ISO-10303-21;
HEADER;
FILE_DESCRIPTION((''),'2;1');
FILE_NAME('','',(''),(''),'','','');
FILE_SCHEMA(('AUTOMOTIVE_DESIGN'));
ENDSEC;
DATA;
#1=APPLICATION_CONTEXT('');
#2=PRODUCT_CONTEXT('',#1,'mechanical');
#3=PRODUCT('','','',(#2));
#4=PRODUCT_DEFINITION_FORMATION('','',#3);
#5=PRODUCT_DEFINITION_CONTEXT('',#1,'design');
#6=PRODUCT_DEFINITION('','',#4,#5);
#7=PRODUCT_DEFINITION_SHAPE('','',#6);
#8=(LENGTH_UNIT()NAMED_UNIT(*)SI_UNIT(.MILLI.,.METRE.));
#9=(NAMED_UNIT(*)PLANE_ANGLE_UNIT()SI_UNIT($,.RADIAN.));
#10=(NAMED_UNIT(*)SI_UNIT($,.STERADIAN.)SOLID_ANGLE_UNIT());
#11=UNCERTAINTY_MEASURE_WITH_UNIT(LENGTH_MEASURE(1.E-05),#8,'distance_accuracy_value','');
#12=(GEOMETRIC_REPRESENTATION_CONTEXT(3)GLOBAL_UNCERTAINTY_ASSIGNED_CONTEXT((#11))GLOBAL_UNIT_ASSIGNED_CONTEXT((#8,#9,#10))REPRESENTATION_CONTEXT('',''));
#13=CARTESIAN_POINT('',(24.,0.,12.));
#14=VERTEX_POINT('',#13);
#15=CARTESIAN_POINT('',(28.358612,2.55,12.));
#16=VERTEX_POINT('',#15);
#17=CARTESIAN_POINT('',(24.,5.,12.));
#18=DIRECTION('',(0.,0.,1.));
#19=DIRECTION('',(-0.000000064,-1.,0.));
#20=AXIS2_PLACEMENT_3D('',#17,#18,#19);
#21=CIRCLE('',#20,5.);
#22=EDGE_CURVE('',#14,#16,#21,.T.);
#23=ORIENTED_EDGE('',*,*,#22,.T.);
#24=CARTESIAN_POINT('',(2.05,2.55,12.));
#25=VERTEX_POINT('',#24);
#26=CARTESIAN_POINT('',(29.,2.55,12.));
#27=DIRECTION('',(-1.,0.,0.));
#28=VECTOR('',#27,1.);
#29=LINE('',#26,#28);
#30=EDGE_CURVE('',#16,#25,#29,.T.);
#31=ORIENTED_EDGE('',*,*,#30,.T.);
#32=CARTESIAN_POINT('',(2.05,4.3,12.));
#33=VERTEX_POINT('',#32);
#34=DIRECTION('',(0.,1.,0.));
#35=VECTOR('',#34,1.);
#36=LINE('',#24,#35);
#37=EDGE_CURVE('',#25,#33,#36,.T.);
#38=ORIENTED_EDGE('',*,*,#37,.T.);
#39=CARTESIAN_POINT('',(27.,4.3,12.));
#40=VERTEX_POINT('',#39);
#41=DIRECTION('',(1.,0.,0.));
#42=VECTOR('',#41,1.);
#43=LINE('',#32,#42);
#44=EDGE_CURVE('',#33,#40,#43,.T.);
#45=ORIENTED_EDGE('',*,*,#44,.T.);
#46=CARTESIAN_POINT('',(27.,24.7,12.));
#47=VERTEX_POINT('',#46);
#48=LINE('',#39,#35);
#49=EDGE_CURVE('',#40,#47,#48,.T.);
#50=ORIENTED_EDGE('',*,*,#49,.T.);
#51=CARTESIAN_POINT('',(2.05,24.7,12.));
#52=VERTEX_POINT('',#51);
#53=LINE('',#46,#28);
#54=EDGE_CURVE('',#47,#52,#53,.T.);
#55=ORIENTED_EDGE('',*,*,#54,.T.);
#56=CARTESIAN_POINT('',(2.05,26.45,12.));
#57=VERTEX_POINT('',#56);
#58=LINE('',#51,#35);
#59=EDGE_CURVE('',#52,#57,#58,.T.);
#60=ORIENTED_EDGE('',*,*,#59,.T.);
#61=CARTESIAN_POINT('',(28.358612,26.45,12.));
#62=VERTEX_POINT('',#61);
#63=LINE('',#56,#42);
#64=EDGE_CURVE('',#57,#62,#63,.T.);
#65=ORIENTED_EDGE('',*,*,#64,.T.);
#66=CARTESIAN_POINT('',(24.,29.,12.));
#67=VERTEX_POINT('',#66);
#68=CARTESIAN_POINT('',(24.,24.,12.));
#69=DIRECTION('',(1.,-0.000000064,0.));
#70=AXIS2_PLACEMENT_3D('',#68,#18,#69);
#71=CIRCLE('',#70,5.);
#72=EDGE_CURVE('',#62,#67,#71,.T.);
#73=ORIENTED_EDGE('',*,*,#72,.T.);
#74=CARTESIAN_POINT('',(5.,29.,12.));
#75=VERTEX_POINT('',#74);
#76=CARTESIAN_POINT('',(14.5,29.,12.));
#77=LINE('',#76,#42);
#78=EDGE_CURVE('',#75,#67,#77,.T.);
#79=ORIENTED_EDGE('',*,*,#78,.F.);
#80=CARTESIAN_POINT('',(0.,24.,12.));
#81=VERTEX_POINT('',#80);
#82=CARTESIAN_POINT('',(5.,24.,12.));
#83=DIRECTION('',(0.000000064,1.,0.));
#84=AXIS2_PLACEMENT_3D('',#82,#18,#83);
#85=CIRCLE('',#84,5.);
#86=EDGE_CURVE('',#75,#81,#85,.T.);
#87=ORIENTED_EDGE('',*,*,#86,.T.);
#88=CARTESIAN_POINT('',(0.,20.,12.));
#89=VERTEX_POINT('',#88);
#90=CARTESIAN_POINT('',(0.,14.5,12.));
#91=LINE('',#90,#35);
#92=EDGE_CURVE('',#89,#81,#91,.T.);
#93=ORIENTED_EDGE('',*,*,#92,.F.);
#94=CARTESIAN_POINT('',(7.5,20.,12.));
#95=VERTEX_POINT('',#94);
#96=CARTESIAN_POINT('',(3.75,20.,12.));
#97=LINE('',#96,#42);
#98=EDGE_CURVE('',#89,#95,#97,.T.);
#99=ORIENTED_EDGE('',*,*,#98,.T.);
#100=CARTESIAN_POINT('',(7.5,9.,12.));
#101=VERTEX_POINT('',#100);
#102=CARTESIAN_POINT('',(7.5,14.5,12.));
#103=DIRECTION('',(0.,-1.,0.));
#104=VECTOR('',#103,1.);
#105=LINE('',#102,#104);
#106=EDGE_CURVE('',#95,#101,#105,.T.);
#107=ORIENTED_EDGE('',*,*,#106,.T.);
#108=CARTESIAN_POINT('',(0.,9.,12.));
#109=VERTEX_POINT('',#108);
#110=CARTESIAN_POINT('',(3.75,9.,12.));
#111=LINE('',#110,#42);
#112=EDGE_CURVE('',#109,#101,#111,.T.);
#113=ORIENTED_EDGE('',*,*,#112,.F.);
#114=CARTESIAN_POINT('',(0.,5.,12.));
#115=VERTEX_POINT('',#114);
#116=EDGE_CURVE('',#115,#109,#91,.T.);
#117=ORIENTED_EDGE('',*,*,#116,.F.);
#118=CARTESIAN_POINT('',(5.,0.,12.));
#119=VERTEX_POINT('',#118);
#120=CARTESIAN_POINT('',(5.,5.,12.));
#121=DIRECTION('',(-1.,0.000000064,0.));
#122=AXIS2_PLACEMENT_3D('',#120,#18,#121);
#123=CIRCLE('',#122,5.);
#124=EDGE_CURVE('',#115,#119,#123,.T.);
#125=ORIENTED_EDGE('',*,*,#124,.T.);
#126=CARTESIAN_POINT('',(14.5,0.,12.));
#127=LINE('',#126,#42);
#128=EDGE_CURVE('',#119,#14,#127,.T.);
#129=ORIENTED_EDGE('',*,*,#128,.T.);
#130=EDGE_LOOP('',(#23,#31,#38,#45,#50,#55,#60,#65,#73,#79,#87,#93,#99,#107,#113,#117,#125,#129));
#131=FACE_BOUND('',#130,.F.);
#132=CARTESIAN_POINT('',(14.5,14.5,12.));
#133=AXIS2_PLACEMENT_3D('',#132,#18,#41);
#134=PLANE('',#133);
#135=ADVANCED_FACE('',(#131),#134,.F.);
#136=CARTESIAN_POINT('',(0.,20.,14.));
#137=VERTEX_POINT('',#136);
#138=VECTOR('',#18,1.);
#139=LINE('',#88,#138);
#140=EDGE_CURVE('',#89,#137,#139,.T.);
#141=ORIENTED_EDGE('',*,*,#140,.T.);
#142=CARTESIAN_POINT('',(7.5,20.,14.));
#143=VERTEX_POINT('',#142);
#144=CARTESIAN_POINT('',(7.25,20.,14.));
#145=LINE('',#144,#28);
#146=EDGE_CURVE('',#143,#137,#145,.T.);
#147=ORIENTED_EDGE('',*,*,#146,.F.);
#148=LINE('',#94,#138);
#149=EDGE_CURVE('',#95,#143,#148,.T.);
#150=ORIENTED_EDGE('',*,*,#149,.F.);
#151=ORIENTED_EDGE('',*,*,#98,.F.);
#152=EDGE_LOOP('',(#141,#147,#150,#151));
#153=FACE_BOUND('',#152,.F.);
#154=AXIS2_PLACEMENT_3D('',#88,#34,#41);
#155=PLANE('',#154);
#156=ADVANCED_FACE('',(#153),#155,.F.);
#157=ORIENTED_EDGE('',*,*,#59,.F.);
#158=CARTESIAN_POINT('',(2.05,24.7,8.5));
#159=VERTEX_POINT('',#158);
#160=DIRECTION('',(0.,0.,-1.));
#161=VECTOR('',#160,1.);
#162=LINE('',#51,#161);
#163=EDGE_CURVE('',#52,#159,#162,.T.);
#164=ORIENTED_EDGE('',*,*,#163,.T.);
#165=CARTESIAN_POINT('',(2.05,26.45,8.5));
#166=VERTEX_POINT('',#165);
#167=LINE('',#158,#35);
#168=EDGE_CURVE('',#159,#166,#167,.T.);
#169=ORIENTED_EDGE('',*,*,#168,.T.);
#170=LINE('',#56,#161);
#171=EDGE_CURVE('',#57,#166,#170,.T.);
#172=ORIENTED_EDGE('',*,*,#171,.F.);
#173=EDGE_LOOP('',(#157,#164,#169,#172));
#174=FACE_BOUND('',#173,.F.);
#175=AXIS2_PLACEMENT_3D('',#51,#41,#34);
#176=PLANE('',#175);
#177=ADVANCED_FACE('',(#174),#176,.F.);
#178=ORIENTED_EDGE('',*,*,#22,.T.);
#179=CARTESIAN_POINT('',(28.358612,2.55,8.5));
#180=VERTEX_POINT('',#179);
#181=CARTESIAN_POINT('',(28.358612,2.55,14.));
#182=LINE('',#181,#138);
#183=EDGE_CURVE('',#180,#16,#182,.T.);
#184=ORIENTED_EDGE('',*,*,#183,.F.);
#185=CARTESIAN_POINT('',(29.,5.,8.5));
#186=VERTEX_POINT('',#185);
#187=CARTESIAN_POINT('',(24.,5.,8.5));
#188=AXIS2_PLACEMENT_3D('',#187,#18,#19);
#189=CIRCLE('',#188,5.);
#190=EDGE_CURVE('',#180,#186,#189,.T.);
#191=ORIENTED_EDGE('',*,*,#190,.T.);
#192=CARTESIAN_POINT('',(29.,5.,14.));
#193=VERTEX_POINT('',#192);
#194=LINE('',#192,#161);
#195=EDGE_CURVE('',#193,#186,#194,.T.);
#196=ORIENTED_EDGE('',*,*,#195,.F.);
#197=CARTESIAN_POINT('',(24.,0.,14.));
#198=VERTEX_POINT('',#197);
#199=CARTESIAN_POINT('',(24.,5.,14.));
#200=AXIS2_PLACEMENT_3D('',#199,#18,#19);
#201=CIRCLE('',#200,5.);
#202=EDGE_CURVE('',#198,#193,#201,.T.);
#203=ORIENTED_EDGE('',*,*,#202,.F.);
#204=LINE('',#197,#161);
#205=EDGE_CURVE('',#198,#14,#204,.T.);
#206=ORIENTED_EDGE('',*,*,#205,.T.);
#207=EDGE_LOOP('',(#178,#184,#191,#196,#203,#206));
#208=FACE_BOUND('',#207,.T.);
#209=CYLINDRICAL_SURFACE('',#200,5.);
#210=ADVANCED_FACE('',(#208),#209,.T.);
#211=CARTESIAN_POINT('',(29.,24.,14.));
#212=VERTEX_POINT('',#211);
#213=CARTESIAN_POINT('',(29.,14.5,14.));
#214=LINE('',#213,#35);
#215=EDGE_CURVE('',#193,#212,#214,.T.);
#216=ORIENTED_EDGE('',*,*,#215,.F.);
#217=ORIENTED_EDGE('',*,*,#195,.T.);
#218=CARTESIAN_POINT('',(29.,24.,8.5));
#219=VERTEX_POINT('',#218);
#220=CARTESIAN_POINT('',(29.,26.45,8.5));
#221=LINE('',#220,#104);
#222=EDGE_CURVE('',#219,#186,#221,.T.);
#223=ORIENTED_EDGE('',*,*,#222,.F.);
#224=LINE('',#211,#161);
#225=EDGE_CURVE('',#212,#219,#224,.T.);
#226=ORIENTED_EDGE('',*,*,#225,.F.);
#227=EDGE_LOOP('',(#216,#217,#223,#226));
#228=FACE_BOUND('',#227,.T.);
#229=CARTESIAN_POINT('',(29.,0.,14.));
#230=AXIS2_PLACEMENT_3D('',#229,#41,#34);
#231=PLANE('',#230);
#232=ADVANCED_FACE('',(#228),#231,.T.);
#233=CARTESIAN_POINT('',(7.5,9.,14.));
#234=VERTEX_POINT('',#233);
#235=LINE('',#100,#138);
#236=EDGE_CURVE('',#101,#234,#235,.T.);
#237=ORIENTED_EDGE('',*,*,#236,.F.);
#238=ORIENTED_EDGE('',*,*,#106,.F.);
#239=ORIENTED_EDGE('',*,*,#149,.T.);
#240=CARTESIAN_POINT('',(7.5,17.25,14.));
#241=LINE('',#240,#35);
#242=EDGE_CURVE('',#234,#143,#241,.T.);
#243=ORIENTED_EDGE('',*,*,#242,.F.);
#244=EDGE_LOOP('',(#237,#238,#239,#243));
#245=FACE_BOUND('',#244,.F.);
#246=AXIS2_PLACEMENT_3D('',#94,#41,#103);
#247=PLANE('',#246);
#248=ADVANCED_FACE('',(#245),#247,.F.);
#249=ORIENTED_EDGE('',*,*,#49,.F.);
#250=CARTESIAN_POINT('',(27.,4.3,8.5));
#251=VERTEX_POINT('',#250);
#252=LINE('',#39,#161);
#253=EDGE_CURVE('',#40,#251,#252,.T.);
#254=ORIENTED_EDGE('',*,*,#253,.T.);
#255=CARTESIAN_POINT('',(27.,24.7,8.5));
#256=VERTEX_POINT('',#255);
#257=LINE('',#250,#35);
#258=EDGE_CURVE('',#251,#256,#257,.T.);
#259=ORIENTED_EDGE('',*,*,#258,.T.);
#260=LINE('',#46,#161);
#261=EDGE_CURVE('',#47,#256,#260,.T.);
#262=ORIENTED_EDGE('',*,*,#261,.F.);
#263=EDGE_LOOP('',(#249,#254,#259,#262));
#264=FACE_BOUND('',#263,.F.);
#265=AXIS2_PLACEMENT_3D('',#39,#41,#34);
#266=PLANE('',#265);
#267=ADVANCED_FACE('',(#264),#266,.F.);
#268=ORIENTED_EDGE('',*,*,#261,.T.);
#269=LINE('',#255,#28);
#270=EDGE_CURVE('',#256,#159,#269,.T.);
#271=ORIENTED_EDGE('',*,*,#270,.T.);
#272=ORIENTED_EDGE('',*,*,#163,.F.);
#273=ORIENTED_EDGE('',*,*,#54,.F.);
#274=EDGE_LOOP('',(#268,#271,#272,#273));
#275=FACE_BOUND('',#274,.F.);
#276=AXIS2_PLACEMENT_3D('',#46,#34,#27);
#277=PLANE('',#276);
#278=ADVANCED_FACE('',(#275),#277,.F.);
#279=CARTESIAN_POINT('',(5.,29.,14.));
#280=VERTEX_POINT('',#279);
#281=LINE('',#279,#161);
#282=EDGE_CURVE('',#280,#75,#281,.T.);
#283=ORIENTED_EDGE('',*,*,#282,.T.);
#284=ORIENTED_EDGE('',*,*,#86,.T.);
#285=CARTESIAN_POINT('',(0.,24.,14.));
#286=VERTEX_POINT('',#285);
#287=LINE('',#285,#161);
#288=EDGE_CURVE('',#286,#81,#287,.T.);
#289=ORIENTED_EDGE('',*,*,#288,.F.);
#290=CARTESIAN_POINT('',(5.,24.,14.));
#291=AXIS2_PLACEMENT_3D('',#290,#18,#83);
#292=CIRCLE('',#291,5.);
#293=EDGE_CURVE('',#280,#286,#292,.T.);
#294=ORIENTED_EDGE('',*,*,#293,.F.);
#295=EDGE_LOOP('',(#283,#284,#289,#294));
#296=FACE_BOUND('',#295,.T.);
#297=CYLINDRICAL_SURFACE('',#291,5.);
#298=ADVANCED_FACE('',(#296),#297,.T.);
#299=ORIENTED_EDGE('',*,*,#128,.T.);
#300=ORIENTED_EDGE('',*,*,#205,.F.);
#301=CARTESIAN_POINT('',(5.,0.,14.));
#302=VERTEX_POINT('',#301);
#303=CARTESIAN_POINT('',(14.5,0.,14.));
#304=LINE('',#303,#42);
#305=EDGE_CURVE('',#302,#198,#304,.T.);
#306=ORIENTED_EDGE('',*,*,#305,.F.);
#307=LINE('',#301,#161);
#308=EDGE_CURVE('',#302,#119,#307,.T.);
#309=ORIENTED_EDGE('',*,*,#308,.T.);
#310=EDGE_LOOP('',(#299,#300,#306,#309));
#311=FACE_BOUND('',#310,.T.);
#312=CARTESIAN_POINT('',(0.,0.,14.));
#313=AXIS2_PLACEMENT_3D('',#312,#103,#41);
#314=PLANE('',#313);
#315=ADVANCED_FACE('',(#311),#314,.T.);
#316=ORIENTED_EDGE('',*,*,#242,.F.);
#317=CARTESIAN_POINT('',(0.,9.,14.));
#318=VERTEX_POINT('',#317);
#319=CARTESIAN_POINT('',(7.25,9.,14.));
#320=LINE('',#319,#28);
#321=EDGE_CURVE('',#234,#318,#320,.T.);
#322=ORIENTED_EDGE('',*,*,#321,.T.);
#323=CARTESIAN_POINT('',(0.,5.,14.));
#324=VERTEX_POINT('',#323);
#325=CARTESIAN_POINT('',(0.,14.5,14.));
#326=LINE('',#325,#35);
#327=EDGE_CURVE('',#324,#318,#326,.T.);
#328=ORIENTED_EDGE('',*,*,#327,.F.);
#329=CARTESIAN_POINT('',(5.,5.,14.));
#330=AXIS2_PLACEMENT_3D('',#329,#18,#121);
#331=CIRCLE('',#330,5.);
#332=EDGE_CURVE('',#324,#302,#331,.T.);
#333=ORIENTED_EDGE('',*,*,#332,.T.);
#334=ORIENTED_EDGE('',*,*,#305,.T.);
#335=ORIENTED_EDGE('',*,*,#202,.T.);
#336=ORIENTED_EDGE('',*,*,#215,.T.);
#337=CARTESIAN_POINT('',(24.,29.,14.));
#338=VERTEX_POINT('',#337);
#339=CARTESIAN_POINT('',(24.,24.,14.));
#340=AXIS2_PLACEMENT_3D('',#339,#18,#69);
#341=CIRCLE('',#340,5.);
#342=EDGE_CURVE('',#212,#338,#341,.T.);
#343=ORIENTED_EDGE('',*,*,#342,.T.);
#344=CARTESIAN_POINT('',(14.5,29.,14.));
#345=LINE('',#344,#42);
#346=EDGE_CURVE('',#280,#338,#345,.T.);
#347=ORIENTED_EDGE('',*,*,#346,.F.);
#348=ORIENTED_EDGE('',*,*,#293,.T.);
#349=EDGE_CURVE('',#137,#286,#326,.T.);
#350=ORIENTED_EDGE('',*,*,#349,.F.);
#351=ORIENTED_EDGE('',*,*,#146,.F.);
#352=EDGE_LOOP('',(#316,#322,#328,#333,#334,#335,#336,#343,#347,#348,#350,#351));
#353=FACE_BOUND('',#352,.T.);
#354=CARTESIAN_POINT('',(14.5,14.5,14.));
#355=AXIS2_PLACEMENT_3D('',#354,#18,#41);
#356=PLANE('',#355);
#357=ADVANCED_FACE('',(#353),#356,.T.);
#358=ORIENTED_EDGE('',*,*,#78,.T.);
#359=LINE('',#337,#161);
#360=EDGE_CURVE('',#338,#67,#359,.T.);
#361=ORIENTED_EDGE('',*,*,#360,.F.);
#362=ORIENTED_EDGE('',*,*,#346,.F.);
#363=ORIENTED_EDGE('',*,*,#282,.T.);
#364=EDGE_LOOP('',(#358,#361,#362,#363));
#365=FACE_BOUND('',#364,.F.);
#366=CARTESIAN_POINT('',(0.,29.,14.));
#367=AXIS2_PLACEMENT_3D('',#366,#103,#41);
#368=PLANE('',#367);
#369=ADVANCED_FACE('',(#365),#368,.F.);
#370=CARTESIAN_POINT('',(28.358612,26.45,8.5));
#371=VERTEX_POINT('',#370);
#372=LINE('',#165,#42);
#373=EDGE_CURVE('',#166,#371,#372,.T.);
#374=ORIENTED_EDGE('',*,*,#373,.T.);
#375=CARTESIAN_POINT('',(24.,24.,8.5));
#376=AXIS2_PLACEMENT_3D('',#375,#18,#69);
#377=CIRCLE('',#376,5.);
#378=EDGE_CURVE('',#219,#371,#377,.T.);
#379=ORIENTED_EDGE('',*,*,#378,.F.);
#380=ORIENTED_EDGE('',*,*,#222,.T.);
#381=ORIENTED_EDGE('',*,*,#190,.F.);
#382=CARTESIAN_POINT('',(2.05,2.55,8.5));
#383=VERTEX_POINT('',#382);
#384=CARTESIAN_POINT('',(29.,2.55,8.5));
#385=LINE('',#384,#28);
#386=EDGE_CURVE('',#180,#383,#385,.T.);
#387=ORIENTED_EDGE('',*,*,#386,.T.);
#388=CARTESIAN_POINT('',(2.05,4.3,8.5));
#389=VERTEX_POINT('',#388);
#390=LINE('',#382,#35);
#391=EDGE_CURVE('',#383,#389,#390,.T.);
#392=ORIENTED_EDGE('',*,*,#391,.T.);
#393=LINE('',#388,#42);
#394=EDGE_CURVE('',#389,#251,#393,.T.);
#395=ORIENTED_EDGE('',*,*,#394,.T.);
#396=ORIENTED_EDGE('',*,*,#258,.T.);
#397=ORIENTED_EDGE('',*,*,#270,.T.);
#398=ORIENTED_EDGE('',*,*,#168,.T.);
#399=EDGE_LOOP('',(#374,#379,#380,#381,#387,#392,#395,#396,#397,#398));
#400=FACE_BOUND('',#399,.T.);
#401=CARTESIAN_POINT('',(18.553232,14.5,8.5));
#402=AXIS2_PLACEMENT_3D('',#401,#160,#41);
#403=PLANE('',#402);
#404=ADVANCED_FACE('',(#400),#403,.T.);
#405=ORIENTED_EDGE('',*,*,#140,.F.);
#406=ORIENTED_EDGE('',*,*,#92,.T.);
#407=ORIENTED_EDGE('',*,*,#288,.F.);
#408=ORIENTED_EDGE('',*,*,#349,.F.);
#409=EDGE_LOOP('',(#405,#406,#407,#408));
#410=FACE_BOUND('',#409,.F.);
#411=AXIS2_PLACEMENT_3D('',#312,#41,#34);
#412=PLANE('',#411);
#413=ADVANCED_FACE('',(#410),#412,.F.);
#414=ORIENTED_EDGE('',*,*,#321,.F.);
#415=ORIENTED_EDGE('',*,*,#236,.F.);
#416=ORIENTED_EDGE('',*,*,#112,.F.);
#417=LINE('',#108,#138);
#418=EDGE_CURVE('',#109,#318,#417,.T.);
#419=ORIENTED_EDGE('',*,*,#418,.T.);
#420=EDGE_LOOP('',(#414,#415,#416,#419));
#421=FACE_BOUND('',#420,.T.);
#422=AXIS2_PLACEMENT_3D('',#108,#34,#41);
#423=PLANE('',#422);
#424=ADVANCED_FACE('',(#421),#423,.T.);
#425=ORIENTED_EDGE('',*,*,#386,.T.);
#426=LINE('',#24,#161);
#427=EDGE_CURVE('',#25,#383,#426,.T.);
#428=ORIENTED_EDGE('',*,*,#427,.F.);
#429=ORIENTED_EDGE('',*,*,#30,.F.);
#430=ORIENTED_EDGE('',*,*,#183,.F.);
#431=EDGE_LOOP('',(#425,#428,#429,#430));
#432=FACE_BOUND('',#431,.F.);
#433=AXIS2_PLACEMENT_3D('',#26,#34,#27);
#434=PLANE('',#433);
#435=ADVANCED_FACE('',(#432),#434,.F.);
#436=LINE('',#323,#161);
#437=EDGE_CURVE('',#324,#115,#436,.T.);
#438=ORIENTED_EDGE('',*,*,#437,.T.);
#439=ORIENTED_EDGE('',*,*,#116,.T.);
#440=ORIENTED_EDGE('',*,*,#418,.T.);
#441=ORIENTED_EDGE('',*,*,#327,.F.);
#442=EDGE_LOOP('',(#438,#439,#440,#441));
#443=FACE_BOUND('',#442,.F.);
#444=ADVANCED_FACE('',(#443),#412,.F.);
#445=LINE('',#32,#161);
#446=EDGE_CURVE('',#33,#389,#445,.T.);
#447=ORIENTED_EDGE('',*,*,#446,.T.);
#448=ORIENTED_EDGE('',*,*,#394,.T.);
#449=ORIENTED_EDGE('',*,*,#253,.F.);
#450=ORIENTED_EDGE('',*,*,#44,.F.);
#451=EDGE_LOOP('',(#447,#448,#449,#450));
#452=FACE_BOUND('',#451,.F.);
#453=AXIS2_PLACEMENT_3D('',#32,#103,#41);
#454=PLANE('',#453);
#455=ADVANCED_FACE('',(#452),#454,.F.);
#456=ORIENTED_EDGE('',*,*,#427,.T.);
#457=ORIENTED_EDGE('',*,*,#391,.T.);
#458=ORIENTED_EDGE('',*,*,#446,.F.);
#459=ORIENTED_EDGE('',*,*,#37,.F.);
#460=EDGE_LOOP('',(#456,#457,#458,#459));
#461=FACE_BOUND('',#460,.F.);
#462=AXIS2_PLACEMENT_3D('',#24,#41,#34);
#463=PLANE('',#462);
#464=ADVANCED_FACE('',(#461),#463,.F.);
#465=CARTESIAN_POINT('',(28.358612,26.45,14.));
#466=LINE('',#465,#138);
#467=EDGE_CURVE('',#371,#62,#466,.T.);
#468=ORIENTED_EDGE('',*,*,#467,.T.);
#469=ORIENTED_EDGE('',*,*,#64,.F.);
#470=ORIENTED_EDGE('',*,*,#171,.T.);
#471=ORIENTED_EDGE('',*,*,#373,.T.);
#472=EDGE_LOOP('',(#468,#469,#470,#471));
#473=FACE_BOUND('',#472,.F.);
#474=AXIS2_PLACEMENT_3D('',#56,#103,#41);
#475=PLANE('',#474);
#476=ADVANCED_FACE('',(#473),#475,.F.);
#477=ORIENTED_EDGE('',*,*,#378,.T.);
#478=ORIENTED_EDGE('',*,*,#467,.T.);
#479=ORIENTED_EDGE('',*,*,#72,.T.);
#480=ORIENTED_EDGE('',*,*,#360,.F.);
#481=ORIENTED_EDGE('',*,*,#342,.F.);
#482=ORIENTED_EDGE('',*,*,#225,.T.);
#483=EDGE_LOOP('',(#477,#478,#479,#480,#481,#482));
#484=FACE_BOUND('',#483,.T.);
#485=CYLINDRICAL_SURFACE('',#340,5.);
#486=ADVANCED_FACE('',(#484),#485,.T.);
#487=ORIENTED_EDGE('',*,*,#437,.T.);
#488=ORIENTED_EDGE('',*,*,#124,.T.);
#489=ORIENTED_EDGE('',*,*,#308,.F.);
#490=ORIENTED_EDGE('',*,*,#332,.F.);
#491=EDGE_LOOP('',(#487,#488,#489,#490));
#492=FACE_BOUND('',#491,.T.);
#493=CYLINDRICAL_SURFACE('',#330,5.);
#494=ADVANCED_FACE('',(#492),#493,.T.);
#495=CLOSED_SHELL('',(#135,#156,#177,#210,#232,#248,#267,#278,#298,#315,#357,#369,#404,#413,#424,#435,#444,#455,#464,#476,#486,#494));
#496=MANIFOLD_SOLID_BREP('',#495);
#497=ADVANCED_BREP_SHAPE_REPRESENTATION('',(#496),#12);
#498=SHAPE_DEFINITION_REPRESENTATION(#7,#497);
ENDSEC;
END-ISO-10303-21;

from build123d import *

# Parameters (mm, degrees)
SKETCH006_W     = 29
SKETCH006_H     = 29
PAD002_DEPTH    = 2
PAD003_DEPTH    = 3.5
SKETCH008_W     = 7.5
SKETCH008_H     = 11
POCKET004_DEPTH = 2.001
POCKET005_DEPTH = 5.501


with BuildPart() as part:
    # Sketch006 → Pad002 (new body)
    with BuildSketch(Plane.XY):
        with Locations((14.5, 14.5)):
            Rectangle(SKETCH006_W, SKETCH006_H)
    extrude(amount=-PAD002_DEPTH)

    # Sketch007 (on Face6 of Pad002) → Pad003 (join)
    with BuildSketch(Plane(origin=(0, 0, -2), x_dir=(1, 0, 0), z_dir=(0, 0, -1))):
        Polygon((2.05, -26.45), (29, -26.45), (29, -2.55), (2.05, -2.55), (2.05, -4.3), (27, -4.3), (27, -24.7), (2.05, -24.7), align=None)
    extrude(amount=PAD003_DEPTH)

    # Sketch008 (on Face5 of Pad003) → Pocket004 (cut, through all)
    with BuildSketch(Plane(origin=(0, 0, -2), x_dir=(1, 0, 0), z_dir=(0, 0, -1))):
        with Locations((3.75, -14.5)):
            Rectangle(SKETCH008_W, SKETCH008_H)
    extrude(amount=-POCKET004_DEPTH, mode=Mode.SUBTRACT)

    # Sketch009 (on Face2 of Pocket004) → Pocket005 (cut, through all)
    with BuildSketch(Plane.XY):
        with BuildLine():
            ThreePointArc((5, 29), (1.464466, 27.535534), (0, 24))
            Line((0, 29), (0, 24))
            Line((0, 29), (5, 29))
        make_face()
        with BuildLine():
            Line((29, 29), (29, 24))
            ThreePointArc((29, 24), (27.535534, 27.535534), (24, 29))
            Line((29, 29), (24, 29))
        make_face()
        with BuildLine():
            Line((29, 0), (24, 0))
            ThreePointArc((24, 0), (27.535534, 1.464466), (29, 5))
            Line((29, 0), (29, 5))
        make_face()
        with BuildLine():
            Line((0, 0), (5, 0))
            ThreePointArc((0, 5), (1.464466, 1.464466), (5, 0))
            Line((0, 0), (0, 5))
        make_face()
    extrude(amount=-POCKET005_DEPTH, mode=Mode.SUBTRACT)


with BuildPart() as part_1:
    # Body001 placement: moved
    add(part.part.moved(Location((0, 0, 14))))


solid = part_1.part
